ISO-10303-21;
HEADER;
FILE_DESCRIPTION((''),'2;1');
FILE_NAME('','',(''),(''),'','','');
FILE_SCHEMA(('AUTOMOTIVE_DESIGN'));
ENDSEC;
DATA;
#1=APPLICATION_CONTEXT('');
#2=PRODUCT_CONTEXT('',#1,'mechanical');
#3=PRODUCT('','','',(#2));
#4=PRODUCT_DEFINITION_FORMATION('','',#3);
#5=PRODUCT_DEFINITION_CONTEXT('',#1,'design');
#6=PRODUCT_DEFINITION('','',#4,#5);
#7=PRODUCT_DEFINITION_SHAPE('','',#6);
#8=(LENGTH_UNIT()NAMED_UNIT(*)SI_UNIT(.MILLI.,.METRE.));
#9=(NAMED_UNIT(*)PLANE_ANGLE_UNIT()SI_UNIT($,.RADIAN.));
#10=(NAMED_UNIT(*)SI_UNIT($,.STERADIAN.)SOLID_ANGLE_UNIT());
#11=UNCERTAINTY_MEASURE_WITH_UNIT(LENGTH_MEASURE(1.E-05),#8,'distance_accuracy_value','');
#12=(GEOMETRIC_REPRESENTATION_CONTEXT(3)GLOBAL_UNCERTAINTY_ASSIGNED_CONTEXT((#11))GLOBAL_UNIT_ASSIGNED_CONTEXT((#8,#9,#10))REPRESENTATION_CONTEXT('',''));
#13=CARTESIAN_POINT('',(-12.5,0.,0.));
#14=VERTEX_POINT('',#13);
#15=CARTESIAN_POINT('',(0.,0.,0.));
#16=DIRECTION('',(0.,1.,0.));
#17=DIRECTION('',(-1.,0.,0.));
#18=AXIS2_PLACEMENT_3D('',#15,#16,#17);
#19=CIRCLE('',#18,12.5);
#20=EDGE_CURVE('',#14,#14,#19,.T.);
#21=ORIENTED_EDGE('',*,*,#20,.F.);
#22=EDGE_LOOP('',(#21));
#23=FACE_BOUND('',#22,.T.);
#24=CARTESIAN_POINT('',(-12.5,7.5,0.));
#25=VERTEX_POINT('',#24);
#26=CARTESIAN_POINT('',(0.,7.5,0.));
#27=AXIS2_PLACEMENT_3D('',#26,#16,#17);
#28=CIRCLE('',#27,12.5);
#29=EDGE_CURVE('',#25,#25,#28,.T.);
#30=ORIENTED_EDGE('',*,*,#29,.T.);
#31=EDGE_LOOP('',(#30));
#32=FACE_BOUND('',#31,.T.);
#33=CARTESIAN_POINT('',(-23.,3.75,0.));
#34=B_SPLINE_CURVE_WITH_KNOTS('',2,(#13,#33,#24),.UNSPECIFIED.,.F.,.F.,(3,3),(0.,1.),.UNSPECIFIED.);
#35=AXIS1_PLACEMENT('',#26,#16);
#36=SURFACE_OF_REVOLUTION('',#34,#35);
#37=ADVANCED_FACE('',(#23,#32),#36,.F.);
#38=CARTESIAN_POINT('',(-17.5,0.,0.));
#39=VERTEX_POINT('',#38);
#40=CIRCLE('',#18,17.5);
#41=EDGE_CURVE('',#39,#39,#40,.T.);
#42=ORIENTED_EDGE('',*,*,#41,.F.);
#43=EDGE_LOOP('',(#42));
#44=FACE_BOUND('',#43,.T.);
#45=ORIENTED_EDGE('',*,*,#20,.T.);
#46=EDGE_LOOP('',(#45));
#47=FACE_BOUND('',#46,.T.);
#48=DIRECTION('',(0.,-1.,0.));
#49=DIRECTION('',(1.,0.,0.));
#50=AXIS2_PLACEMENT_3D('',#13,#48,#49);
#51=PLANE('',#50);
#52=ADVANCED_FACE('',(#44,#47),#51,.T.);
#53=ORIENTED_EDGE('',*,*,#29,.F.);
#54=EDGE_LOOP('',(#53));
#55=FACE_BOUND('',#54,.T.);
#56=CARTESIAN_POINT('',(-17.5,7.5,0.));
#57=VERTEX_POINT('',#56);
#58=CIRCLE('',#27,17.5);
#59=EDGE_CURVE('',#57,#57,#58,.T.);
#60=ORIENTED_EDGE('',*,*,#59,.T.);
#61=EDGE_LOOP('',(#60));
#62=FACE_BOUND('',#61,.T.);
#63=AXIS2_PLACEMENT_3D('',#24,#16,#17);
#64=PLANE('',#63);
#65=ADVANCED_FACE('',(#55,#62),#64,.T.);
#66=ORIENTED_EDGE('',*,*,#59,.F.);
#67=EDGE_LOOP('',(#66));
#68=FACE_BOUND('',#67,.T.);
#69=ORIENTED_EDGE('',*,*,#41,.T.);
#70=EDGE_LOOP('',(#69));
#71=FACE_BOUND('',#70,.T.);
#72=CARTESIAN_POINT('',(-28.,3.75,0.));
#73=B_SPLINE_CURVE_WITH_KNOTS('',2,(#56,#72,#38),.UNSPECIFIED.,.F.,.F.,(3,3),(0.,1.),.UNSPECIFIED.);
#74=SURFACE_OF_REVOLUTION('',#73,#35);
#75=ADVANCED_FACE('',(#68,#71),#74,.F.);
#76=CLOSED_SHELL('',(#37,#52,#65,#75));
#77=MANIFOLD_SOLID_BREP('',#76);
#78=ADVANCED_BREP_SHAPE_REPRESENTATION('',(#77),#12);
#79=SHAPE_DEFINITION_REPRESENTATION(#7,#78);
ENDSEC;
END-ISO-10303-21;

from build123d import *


with BuildPart() as part:
    # Sketch2 → Revolve1 (revolve)
    with BuildSketch(Plane.XY):
        with BuildLine():
            Line((-12.5, 7.5), (-17.5, 7.5))
            add(Edge.make_bspline(
                [(-17.5, 0), (-28, 3.75), (-17.5, 7.5)],
                knots=[0, 0, 0, 1, 1, 1], degree=2))
            Line((-17.5, 0), (-12.5, 0))
            add(Edge.make_bspline(
                [(-12.5, 0), (-23, 3.75), (-12.5, 7.5)],
                knots=[0, 0, 0, 1, 1, 1], degree=2))
        make_face()
    revolve(axis=Axis((0, 7.5, 0), (0, -1, 0)))


solid = part.part
